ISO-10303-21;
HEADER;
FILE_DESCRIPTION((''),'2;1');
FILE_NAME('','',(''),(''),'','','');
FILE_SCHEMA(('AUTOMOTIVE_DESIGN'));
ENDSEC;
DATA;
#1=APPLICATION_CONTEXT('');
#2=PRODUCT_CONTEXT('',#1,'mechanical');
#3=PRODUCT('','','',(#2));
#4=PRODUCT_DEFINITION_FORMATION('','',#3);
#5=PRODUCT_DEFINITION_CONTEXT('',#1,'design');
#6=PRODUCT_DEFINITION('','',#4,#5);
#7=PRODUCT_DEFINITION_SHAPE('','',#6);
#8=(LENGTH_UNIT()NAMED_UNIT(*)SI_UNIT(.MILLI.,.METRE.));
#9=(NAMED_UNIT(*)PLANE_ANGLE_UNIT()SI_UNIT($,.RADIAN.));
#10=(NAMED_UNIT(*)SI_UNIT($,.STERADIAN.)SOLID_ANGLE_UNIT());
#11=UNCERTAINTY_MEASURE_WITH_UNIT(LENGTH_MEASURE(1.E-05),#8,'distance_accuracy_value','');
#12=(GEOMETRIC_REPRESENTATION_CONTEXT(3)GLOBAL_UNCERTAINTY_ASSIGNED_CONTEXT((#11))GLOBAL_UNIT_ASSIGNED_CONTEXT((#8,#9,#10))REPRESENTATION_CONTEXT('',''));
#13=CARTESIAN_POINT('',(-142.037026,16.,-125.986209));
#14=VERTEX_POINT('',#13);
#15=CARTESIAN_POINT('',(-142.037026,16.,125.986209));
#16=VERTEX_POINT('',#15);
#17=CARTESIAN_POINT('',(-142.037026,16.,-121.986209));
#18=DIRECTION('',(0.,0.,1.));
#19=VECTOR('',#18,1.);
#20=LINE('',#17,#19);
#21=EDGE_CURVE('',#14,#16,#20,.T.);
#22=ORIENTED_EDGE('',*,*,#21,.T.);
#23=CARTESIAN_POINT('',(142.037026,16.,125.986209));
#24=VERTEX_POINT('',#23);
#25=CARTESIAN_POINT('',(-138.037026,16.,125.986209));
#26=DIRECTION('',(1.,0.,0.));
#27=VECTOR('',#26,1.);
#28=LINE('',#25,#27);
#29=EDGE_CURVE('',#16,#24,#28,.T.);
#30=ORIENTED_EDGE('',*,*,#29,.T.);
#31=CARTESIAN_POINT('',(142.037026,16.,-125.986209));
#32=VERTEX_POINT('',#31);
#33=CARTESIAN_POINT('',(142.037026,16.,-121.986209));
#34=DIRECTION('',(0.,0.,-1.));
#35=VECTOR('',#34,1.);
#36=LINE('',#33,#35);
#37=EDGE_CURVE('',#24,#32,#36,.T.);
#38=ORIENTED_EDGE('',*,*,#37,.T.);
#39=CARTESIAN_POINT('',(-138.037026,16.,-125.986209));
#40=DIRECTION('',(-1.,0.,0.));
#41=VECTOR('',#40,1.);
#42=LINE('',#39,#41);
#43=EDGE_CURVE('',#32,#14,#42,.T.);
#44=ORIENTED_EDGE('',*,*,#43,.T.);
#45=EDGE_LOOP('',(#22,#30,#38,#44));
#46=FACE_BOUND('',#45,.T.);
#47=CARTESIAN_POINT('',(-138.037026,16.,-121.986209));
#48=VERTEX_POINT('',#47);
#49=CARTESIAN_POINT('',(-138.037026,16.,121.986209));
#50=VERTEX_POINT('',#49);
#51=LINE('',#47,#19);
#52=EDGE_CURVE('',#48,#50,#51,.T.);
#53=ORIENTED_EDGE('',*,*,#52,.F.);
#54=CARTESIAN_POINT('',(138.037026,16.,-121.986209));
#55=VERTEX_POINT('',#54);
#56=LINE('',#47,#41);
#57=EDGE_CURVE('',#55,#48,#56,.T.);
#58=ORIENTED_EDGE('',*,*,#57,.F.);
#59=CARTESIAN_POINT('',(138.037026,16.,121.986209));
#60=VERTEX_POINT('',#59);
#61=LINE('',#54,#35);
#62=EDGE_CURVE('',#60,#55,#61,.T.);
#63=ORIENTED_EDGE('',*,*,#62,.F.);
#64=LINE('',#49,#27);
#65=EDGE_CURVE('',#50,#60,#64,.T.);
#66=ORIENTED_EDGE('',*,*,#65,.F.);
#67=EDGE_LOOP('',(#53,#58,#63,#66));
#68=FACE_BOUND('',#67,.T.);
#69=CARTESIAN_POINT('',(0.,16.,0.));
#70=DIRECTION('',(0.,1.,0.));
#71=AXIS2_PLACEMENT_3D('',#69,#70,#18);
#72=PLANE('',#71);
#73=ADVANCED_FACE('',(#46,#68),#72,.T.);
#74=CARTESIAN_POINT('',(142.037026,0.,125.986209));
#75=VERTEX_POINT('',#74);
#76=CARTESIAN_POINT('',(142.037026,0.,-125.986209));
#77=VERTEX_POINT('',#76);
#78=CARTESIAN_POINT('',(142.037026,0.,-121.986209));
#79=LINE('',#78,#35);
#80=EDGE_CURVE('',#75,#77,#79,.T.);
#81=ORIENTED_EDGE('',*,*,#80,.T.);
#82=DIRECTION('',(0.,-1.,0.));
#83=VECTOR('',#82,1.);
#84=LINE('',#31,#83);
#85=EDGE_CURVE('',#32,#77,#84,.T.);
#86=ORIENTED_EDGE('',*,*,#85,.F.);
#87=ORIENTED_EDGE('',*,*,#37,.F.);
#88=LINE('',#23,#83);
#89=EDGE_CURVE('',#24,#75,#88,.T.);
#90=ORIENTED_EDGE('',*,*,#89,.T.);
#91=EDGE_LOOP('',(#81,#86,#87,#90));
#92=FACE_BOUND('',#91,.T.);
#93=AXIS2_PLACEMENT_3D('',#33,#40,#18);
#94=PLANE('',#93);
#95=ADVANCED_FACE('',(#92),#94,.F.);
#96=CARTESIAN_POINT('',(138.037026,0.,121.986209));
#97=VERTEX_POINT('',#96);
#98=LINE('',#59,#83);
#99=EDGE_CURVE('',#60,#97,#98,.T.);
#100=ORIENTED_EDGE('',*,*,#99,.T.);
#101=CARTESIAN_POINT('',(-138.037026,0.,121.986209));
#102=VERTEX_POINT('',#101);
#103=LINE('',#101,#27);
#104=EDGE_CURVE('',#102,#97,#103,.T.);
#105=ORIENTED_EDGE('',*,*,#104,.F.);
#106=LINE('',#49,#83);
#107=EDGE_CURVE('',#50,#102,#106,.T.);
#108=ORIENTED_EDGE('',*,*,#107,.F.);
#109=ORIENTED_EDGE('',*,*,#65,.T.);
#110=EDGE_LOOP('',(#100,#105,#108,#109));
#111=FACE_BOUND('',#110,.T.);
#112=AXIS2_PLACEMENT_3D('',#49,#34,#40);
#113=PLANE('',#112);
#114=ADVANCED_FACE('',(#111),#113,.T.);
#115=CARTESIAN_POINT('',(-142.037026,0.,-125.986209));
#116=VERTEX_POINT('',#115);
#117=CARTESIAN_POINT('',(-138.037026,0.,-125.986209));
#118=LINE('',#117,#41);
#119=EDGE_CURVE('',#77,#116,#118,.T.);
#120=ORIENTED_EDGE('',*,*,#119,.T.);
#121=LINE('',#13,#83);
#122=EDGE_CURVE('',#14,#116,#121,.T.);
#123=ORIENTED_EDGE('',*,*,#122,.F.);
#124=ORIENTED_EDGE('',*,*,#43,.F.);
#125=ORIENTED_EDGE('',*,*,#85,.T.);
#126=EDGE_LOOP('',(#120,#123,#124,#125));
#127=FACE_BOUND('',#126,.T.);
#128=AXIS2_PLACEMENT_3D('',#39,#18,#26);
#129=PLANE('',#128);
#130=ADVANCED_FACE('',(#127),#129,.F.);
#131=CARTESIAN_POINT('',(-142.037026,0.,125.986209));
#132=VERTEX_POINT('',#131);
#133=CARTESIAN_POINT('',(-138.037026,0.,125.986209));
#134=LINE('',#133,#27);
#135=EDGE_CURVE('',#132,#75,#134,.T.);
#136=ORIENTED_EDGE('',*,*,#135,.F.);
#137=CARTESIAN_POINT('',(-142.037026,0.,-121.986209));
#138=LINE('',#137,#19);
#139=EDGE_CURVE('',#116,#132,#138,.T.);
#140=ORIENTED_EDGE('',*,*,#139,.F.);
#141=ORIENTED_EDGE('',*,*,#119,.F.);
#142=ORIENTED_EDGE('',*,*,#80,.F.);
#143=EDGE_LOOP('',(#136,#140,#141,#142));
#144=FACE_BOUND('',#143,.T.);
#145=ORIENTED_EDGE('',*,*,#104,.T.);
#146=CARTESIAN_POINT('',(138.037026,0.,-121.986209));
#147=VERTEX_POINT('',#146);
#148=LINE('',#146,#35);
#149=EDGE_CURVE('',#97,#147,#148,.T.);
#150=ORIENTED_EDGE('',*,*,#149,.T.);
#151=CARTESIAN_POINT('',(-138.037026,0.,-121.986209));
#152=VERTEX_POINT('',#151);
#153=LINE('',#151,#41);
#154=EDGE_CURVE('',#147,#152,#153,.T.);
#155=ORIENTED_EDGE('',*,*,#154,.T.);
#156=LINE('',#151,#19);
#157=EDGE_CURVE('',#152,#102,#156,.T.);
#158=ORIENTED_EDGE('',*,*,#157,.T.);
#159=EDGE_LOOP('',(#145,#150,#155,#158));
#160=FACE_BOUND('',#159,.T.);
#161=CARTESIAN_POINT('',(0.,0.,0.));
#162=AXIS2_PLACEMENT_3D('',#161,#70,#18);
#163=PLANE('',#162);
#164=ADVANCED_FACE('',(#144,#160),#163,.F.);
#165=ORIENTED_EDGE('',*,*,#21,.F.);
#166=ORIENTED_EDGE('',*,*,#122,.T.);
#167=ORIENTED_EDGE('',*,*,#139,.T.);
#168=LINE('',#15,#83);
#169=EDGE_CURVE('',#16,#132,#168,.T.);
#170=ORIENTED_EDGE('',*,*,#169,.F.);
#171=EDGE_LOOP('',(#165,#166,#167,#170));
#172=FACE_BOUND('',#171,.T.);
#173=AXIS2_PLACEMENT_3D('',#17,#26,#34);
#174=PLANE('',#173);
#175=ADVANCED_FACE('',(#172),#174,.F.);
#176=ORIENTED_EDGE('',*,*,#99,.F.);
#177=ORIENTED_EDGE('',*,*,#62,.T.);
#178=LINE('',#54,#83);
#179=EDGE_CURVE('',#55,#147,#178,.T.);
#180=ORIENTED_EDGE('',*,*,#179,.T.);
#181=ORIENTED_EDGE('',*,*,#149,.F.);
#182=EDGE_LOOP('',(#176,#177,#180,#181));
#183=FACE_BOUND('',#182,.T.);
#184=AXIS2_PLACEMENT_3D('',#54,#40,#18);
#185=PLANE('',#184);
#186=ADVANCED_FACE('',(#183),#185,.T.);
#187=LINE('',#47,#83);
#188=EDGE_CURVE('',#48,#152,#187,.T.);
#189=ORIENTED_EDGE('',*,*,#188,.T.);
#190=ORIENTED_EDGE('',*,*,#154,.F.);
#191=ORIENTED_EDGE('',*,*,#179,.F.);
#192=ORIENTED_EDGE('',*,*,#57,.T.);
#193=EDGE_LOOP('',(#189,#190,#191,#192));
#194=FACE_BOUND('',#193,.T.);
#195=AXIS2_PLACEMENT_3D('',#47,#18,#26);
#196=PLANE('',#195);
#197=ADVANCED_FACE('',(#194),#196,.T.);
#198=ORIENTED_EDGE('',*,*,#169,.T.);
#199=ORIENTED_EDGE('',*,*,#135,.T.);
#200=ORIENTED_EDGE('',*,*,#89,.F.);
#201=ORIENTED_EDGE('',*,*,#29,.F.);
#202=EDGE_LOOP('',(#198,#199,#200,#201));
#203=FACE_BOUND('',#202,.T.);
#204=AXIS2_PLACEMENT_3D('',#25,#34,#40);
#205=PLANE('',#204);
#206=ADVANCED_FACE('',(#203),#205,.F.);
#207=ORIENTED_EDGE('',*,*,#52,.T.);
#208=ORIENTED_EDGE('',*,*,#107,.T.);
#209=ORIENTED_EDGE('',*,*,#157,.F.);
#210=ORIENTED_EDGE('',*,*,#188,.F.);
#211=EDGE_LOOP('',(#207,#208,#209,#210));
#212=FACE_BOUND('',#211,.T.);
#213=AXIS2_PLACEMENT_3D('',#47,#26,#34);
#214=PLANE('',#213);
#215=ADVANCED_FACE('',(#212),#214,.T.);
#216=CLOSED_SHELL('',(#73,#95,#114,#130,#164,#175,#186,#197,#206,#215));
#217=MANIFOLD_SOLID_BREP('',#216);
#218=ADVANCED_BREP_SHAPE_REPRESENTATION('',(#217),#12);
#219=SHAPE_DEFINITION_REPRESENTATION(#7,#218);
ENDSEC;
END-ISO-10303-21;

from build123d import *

# Parameters (mm, degrees)
SKETCH1_W           = 284.07405182
SKETCH1_H           = 251.972417888
SKETCH1_W_2         = 276.07405182
SKETCH1_H_2         = 243.972417888
EXTRUDE_THIN1_DEPTH = 16


with BuildPart() as part:
    # Sketch1 → Extrude-Thin1 (new body)
    with BuildSketch(Plane(origin=(0, 0, 0), x_dir=(1, 0, 0), z_dir=(0, 1, 0))):
        Rectangle(SKETCH1_W, SKETCH1_H)
        Rectangle(SKETCH1_W_2, SKETCH1_H_2, mode=Mode.SUBTRACT)
    extrude(amount=EXTRUDE_THIN1_DEPTH)


solid = part.part
